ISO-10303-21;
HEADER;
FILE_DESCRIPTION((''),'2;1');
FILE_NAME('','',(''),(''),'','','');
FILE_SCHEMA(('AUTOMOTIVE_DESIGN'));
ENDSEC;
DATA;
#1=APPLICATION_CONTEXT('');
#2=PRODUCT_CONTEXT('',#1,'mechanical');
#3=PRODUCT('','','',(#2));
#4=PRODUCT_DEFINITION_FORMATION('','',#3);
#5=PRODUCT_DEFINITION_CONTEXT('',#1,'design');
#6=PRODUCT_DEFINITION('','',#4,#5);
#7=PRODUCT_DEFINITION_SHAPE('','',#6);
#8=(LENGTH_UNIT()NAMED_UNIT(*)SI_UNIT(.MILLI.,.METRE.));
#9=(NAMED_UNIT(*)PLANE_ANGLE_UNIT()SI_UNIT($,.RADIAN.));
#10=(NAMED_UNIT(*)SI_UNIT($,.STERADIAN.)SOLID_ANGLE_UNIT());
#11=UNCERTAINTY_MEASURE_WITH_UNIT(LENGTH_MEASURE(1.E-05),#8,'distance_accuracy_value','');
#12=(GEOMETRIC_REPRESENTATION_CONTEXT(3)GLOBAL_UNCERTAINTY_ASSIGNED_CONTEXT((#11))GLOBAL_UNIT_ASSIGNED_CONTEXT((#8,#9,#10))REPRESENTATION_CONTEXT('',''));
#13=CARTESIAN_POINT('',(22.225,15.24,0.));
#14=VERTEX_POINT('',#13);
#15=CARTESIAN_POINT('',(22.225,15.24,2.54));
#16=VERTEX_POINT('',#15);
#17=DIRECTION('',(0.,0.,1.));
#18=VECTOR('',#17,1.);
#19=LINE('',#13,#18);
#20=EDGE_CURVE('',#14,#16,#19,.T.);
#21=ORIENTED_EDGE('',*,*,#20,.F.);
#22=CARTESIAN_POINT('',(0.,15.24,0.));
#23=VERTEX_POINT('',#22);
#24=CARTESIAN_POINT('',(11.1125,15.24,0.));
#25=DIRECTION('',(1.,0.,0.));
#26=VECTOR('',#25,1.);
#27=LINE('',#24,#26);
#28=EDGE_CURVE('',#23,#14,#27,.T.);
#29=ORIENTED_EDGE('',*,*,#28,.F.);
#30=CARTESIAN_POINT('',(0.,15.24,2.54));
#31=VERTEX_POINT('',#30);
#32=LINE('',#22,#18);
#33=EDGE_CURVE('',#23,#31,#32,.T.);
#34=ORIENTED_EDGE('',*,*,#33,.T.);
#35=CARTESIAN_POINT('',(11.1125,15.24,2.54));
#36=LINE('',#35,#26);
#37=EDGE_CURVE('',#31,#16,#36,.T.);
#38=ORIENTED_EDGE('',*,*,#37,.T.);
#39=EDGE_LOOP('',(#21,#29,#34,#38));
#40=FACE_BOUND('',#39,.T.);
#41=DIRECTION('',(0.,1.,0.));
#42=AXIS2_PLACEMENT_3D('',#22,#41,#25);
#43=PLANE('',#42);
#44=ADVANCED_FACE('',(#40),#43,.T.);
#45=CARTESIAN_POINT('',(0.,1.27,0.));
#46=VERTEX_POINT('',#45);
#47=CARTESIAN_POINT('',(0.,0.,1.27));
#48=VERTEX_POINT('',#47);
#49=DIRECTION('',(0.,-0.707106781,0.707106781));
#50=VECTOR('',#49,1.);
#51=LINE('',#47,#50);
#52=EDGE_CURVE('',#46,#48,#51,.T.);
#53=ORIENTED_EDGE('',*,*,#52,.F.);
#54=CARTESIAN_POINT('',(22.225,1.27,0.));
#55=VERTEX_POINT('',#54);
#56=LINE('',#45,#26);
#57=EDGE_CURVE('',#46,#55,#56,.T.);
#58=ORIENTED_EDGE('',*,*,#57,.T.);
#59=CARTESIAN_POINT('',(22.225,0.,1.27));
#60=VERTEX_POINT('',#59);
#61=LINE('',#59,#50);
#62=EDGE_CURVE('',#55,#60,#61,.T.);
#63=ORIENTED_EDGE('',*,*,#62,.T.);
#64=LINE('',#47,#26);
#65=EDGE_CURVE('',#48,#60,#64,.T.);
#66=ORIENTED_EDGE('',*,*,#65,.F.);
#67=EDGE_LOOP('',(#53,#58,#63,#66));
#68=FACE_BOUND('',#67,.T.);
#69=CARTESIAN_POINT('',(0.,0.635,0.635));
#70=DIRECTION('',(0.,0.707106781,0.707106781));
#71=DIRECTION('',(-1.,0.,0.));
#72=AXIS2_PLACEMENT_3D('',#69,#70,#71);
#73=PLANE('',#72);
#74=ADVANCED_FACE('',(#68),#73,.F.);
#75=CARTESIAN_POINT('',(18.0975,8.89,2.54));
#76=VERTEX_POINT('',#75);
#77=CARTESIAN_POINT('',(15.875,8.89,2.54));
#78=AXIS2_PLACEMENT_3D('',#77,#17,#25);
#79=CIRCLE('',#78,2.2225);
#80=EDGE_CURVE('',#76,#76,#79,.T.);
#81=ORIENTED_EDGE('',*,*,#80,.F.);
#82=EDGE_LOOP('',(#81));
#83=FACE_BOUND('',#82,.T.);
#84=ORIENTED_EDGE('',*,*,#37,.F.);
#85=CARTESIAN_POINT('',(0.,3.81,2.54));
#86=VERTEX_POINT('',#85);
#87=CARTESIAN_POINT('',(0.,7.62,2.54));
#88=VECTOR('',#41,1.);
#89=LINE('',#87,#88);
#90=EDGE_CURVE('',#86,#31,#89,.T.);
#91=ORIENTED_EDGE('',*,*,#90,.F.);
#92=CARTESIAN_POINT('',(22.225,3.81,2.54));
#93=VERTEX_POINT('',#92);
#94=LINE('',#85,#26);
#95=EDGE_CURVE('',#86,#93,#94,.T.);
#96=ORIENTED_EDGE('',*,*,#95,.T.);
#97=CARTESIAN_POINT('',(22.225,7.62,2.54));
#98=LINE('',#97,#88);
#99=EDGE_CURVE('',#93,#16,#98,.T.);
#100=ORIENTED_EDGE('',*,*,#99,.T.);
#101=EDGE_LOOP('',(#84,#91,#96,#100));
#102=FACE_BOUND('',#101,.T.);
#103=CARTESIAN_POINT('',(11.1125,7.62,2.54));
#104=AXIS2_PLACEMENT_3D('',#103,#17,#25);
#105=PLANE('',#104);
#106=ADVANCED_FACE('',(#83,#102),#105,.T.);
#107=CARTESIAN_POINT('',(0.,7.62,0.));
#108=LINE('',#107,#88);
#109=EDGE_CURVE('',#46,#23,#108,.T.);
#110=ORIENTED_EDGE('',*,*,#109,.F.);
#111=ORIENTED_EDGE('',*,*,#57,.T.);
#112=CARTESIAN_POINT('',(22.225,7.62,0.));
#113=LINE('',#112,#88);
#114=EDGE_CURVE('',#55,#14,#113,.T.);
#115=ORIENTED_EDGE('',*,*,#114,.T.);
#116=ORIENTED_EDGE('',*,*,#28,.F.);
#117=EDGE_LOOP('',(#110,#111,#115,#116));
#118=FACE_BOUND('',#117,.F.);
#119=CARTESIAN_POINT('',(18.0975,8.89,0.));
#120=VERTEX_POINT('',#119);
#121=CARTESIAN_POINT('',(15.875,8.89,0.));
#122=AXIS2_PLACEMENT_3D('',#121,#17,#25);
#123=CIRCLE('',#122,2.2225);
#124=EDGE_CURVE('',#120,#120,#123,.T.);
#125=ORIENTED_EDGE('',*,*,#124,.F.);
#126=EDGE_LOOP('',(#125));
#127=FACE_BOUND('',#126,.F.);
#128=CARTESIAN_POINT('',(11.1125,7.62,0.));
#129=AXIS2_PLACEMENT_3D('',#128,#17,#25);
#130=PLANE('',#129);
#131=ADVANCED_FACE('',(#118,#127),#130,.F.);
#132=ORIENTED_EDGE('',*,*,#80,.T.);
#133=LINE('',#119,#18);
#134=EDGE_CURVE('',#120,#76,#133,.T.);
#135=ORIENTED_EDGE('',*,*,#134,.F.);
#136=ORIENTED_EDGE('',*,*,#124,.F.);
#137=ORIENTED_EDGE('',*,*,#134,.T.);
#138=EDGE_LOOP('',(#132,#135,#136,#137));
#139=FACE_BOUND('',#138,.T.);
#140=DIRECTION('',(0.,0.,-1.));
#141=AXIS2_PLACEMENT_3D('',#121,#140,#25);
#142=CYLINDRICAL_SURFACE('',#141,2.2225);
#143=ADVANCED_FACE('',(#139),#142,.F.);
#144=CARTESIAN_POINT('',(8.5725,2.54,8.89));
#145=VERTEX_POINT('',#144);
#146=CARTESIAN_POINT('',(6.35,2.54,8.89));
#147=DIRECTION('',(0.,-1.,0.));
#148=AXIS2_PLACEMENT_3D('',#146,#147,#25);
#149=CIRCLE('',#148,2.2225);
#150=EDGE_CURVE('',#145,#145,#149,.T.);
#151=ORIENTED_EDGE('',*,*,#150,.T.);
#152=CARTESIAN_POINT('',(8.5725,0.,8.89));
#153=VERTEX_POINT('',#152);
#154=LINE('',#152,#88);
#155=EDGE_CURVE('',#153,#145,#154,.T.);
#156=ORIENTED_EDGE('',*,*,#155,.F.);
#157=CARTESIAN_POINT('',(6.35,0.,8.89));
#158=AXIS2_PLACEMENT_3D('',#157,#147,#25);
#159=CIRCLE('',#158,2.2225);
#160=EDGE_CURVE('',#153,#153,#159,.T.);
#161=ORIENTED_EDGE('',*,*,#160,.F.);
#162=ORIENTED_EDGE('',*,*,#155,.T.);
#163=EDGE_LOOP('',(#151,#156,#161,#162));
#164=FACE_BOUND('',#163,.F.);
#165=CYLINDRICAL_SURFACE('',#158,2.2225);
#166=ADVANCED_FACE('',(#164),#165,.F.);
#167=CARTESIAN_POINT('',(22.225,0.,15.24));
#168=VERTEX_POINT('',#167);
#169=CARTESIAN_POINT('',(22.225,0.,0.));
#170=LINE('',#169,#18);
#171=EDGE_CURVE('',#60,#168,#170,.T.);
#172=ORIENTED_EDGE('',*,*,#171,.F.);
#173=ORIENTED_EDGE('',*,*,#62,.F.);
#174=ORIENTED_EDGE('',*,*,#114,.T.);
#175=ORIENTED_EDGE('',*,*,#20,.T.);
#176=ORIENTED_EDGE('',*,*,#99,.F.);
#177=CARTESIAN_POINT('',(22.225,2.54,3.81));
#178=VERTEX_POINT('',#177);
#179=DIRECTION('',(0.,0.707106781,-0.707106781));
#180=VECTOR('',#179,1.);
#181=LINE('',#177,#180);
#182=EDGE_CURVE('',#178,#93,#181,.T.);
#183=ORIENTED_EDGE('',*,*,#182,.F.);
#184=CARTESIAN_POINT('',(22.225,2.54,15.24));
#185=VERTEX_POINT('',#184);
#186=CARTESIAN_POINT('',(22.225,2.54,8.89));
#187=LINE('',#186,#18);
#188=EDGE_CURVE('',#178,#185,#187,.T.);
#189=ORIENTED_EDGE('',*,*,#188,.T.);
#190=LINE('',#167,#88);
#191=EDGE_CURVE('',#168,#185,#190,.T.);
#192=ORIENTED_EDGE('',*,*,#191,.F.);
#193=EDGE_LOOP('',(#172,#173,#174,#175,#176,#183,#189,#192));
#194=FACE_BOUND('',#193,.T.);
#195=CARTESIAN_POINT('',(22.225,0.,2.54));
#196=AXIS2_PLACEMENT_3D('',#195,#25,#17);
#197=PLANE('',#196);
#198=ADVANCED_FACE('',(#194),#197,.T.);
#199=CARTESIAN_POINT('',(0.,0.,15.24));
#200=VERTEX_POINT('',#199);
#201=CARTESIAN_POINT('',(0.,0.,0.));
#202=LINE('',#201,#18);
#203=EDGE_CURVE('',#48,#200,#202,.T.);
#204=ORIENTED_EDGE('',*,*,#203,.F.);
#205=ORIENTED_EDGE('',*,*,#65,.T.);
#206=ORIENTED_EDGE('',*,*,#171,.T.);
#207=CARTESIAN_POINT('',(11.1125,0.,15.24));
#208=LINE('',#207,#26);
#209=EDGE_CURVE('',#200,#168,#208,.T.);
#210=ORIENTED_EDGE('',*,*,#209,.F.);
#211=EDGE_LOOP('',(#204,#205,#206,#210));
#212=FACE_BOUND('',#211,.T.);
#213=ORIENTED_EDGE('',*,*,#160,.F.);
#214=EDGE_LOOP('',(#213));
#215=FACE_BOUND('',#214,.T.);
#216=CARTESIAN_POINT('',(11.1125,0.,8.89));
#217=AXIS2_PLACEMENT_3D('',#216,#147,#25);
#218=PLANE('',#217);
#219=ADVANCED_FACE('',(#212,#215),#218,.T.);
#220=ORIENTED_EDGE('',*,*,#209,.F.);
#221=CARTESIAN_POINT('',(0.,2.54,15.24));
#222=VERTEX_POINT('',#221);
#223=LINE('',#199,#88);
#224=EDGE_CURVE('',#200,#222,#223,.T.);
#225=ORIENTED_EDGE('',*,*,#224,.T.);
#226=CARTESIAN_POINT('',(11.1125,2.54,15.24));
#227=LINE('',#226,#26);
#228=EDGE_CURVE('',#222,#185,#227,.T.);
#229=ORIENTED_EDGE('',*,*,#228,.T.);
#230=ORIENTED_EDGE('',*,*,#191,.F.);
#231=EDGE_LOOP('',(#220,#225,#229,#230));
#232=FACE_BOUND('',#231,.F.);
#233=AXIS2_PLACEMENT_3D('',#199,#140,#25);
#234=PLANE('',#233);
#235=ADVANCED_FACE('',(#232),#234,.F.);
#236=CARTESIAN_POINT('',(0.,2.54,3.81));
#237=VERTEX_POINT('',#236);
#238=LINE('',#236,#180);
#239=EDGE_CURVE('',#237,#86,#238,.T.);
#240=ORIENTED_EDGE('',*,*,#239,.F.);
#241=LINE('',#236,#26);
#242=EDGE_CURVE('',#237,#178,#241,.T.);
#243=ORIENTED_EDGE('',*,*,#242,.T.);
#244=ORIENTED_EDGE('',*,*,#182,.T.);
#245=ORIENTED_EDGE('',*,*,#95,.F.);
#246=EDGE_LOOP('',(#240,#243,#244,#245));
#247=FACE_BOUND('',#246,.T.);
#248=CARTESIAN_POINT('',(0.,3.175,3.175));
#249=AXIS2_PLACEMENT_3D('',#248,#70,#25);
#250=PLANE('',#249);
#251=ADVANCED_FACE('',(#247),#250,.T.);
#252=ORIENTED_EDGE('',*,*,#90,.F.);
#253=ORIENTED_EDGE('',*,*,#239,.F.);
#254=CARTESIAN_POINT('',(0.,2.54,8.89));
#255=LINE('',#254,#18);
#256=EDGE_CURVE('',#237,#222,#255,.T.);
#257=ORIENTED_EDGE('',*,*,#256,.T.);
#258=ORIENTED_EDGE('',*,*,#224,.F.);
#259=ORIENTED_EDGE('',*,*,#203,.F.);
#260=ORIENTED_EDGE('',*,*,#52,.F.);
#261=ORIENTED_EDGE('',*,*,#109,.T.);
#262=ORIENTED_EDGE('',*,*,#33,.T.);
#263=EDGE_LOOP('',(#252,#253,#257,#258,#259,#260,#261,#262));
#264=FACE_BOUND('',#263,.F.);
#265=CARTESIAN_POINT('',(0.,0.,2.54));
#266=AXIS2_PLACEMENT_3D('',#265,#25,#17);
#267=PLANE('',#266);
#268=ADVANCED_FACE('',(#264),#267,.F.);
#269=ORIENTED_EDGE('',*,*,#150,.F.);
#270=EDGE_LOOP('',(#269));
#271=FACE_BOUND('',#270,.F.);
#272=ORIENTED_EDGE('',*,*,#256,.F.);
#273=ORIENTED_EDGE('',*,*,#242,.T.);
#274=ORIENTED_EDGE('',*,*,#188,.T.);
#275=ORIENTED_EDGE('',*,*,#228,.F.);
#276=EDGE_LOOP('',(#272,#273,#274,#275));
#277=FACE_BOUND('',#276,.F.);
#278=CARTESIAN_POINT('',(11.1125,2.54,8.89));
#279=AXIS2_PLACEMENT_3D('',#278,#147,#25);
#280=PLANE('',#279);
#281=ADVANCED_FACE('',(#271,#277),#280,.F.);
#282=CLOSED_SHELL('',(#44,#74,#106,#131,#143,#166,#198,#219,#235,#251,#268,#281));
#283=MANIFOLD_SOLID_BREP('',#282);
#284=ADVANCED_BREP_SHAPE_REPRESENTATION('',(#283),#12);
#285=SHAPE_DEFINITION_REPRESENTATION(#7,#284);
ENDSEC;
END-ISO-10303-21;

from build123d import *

# Parameters (mm, degrees)
F0_W     = 22.225
F0_H     = 15.24
F0_R     = 2.2225
F1_DEPTH = 2.54
F2_W     = 22.225
F2_H     = 12.7
F2_R     = 2.2225
F3_DEPTH = 2.54
F4_SIZE  = 1.27
F5_SIZE  = 1.27


with BuildPart() as f1:
    # F0 (on Top) → F1 (new body)
    with BuildSketch(Plane.XY):
        with Locations((11.1125, 7.62)):
            Rectangle(F0_W, F0_H)
        with Locations((15.875, 8.89)):
            Circle(F0_R, mode=Mode.SUBTRACT)
    extrude(amount=F1_DEPTH)

    # F2 (on face) → F3 (join)
    with BuildSketch(Plane.XZ):
        with Locations((11.1125, 8.89)):
            Rectangle(F2_W, F2_H)
        with Locations((6.35, 8.89)):
            Circle(F2_R, mode=Mode.SUBTRACT)
    extrude(amount=-F3_DEPTH)

    # F4
    f4_edges = [f1.edges().sort_by_distance(p)[0] for p in [
        (11.1125, 0, 0),
    ]]
    chamfer(f4_edges, length=F4_SIZE)

    # F5
    f5_edges = [f1.edges().sort_by_distance(p)[0] for p in [
        (11.1125, 2.54, 2.54),
    ]]
    chamfer(f5_edges, length=F5_SIZE)


solid = f1.part
